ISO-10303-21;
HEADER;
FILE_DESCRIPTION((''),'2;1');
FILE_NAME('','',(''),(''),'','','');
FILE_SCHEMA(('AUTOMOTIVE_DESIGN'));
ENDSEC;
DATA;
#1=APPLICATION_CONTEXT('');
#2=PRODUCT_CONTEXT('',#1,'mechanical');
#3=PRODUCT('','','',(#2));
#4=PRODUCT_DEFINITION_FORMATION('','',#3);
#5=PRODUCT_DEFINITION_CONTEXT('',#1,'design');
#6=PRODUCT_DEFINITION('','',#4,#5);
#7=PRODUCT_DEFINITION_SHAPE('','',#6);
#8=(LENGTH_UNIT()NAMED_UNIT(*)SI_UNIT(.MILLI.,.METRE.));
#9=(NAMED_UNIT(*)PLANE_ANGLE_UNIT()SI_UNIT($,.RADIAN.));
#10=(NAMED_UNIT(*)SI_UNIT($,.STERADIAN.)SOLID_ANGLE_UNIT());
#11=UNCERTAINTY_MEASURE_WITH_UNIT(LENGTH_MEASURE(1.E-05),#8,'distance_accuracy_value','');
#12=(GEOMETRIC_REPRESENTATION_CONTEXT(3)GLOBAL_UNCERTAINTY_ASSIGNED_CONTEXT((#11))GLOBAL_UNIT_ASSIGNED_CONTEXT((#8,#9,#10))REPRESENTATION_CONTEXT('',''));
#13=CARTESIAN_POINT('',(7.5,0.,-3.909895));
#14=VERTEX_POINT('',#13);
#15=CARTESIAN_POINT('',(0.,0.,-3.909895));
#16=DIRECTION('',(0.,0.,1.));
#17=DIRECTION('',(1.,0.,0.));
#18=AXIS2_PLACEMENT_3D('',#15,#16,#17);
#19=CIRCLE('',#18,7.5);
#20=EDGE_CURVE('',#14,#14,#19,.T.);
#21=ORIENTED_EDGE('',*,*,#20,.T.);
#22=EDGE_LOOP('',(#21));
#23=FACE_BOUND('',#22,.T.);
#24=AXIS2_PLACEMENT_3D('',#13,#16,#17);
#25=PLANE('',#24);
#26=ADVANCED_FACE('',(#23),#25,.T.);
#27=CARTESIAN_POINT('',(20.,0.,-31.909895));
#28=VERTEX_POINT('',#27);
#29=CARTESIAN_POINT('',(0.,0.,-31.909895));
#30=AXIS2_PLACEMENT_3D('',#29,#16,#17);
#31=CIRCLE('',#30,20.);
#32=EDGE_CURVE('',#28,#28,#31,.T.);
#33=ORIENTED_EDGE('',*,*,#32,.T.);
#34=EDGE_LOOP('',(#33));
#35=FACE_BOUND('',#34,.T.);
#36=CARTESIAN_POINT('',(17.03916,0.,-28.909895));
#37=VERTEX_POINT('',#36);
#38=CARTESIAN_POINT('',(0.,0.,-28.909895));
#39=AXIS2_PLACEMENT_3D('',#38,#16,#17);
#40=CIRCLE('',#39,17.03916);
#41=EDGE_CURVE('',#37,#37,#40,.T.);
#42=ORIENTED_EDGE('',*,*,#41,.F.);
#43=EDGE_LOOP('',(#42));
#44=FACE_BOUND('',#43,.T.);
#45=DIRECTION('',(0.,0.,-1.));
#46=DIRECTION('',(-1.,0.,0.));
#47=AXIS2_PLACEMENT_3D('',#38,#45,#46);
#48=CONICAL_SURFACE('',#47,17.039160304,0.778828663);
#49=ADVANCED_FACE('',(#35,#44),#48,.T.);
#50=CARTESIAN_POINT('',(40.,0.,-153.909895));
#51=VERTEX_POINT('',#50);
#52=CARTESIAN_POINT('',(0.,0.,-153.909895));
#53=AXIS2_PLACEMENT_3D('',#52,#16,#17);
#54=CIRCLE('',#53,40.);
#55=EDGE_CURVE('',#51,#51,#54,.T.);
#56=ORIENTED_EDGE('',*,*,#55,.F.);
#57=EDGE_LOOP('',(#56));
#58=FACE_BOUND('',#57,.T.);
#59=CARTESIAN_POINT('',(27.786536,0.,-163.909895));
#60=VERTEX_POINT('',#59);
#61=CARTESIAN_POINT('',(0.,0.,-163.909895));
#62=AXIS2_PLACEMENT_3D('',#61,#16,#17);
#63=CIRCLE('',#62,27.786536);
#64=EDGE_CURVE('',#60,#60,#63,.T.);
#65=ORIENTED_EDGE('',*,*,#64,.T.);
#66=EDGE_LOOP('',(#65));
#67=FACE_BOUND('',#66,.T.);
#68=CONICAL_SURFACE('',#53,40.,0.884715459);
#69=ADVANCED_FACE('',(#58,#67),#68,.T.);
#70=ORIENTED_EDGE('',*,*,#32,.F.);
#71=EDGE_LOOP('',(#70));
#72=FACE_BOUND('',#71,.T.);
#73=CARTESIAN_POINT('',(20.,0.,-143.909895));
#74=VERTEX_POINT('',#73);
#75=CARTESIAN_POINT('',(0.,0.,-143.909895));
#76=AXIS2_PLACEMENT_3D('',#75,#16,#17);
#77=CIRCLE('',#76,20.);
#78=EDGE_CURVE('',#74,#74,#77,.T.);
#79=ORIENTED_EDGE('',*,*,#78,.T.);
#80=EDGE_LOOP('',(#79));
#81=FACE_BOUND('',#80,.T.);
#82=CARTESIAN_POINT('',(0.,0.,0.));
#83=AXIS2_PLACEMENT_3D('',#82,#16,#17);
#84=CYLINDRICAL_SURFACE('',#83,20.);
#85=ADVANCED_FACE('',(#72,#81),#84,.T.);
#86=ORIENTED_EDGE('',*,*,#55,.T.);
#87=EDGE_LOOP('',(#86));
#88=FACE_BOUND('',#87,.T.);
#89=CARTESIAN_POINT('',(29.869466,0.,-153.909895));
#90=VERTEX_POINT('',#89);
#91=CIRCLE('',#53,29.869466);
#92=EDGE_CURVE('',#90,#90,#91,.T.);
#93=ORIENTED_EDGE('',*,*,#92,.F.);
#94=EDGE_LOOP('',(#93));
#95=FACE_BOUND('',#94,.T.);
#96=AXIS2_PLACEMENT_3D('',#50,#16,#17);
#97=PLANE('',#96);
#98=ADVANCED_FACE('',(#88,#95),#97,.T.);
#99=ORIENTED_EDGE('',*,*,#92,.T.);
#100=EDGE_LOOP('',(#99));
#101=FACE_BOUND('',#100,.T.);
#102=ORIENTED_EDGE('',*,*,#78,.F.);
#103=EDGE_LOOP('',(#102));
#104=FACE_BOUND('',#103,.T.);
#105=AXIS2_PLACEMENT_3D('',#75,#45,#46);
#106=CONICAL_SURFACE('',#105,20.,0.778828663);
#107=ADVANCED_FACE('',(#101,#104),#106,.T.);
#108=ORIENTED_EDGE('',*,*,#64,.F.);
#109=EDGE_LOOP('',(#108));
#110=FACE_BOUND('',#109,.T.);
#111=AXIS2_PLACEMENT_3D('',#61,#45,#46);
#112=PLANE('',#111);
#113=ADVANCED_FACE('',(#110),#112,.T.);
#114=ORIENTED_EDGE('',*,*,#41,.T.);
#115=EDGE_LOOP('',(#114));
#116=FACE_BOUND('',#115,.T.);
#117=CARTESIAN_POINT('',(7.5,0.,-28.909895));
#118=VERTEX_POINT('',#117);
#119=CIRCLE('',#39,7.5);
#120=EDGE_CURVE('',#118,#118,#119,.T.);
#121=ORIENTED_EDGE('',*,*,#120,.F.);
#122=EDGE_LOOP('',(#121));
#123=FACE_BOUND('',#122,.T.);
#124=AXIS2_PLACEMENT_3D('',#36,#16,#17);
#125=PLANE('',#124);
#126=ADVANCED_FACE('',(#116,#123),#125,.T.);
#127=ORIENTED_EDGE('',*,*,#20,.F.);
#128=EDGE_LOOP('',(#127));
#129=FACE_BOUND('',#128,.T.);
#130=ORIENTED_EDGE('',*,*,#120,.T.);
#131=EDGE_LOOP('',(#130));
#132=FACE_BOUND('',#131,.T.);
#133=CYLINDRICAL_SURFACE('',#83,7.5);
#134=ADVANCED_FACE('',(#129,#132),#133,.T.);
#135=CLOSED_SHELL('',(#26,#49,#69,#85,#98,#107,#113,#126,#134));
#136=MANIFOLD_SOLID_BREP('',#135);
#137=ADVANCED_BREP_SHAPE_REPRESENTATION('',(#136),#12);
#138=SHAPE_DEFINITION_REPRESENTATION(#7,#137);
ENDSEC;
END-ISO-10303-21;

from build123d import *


with BuildPart() as part:
    # Sketch1 → Revolve1 (revolve)
    with BuildSketch(Plane(origin=(0, 0, 0), x_dir=(1, 0, 0), z_dir=(0, 1, 0))):
        Polygon((0, 163.909895321), (27.786536256, 163.909895321), (40, 153.909895321), (29.869465652, 153.909895321), (20, 143.909895321), (20, 31.909895321), (17.039160304, 28.909895321), (7.5, 28.909895321), (7.5, 3.909895321), (0, 3.909895321), align=None)
    revolve(axis=Axis((0, 0, 0), (0, 0, -1)))


solid = part.part
